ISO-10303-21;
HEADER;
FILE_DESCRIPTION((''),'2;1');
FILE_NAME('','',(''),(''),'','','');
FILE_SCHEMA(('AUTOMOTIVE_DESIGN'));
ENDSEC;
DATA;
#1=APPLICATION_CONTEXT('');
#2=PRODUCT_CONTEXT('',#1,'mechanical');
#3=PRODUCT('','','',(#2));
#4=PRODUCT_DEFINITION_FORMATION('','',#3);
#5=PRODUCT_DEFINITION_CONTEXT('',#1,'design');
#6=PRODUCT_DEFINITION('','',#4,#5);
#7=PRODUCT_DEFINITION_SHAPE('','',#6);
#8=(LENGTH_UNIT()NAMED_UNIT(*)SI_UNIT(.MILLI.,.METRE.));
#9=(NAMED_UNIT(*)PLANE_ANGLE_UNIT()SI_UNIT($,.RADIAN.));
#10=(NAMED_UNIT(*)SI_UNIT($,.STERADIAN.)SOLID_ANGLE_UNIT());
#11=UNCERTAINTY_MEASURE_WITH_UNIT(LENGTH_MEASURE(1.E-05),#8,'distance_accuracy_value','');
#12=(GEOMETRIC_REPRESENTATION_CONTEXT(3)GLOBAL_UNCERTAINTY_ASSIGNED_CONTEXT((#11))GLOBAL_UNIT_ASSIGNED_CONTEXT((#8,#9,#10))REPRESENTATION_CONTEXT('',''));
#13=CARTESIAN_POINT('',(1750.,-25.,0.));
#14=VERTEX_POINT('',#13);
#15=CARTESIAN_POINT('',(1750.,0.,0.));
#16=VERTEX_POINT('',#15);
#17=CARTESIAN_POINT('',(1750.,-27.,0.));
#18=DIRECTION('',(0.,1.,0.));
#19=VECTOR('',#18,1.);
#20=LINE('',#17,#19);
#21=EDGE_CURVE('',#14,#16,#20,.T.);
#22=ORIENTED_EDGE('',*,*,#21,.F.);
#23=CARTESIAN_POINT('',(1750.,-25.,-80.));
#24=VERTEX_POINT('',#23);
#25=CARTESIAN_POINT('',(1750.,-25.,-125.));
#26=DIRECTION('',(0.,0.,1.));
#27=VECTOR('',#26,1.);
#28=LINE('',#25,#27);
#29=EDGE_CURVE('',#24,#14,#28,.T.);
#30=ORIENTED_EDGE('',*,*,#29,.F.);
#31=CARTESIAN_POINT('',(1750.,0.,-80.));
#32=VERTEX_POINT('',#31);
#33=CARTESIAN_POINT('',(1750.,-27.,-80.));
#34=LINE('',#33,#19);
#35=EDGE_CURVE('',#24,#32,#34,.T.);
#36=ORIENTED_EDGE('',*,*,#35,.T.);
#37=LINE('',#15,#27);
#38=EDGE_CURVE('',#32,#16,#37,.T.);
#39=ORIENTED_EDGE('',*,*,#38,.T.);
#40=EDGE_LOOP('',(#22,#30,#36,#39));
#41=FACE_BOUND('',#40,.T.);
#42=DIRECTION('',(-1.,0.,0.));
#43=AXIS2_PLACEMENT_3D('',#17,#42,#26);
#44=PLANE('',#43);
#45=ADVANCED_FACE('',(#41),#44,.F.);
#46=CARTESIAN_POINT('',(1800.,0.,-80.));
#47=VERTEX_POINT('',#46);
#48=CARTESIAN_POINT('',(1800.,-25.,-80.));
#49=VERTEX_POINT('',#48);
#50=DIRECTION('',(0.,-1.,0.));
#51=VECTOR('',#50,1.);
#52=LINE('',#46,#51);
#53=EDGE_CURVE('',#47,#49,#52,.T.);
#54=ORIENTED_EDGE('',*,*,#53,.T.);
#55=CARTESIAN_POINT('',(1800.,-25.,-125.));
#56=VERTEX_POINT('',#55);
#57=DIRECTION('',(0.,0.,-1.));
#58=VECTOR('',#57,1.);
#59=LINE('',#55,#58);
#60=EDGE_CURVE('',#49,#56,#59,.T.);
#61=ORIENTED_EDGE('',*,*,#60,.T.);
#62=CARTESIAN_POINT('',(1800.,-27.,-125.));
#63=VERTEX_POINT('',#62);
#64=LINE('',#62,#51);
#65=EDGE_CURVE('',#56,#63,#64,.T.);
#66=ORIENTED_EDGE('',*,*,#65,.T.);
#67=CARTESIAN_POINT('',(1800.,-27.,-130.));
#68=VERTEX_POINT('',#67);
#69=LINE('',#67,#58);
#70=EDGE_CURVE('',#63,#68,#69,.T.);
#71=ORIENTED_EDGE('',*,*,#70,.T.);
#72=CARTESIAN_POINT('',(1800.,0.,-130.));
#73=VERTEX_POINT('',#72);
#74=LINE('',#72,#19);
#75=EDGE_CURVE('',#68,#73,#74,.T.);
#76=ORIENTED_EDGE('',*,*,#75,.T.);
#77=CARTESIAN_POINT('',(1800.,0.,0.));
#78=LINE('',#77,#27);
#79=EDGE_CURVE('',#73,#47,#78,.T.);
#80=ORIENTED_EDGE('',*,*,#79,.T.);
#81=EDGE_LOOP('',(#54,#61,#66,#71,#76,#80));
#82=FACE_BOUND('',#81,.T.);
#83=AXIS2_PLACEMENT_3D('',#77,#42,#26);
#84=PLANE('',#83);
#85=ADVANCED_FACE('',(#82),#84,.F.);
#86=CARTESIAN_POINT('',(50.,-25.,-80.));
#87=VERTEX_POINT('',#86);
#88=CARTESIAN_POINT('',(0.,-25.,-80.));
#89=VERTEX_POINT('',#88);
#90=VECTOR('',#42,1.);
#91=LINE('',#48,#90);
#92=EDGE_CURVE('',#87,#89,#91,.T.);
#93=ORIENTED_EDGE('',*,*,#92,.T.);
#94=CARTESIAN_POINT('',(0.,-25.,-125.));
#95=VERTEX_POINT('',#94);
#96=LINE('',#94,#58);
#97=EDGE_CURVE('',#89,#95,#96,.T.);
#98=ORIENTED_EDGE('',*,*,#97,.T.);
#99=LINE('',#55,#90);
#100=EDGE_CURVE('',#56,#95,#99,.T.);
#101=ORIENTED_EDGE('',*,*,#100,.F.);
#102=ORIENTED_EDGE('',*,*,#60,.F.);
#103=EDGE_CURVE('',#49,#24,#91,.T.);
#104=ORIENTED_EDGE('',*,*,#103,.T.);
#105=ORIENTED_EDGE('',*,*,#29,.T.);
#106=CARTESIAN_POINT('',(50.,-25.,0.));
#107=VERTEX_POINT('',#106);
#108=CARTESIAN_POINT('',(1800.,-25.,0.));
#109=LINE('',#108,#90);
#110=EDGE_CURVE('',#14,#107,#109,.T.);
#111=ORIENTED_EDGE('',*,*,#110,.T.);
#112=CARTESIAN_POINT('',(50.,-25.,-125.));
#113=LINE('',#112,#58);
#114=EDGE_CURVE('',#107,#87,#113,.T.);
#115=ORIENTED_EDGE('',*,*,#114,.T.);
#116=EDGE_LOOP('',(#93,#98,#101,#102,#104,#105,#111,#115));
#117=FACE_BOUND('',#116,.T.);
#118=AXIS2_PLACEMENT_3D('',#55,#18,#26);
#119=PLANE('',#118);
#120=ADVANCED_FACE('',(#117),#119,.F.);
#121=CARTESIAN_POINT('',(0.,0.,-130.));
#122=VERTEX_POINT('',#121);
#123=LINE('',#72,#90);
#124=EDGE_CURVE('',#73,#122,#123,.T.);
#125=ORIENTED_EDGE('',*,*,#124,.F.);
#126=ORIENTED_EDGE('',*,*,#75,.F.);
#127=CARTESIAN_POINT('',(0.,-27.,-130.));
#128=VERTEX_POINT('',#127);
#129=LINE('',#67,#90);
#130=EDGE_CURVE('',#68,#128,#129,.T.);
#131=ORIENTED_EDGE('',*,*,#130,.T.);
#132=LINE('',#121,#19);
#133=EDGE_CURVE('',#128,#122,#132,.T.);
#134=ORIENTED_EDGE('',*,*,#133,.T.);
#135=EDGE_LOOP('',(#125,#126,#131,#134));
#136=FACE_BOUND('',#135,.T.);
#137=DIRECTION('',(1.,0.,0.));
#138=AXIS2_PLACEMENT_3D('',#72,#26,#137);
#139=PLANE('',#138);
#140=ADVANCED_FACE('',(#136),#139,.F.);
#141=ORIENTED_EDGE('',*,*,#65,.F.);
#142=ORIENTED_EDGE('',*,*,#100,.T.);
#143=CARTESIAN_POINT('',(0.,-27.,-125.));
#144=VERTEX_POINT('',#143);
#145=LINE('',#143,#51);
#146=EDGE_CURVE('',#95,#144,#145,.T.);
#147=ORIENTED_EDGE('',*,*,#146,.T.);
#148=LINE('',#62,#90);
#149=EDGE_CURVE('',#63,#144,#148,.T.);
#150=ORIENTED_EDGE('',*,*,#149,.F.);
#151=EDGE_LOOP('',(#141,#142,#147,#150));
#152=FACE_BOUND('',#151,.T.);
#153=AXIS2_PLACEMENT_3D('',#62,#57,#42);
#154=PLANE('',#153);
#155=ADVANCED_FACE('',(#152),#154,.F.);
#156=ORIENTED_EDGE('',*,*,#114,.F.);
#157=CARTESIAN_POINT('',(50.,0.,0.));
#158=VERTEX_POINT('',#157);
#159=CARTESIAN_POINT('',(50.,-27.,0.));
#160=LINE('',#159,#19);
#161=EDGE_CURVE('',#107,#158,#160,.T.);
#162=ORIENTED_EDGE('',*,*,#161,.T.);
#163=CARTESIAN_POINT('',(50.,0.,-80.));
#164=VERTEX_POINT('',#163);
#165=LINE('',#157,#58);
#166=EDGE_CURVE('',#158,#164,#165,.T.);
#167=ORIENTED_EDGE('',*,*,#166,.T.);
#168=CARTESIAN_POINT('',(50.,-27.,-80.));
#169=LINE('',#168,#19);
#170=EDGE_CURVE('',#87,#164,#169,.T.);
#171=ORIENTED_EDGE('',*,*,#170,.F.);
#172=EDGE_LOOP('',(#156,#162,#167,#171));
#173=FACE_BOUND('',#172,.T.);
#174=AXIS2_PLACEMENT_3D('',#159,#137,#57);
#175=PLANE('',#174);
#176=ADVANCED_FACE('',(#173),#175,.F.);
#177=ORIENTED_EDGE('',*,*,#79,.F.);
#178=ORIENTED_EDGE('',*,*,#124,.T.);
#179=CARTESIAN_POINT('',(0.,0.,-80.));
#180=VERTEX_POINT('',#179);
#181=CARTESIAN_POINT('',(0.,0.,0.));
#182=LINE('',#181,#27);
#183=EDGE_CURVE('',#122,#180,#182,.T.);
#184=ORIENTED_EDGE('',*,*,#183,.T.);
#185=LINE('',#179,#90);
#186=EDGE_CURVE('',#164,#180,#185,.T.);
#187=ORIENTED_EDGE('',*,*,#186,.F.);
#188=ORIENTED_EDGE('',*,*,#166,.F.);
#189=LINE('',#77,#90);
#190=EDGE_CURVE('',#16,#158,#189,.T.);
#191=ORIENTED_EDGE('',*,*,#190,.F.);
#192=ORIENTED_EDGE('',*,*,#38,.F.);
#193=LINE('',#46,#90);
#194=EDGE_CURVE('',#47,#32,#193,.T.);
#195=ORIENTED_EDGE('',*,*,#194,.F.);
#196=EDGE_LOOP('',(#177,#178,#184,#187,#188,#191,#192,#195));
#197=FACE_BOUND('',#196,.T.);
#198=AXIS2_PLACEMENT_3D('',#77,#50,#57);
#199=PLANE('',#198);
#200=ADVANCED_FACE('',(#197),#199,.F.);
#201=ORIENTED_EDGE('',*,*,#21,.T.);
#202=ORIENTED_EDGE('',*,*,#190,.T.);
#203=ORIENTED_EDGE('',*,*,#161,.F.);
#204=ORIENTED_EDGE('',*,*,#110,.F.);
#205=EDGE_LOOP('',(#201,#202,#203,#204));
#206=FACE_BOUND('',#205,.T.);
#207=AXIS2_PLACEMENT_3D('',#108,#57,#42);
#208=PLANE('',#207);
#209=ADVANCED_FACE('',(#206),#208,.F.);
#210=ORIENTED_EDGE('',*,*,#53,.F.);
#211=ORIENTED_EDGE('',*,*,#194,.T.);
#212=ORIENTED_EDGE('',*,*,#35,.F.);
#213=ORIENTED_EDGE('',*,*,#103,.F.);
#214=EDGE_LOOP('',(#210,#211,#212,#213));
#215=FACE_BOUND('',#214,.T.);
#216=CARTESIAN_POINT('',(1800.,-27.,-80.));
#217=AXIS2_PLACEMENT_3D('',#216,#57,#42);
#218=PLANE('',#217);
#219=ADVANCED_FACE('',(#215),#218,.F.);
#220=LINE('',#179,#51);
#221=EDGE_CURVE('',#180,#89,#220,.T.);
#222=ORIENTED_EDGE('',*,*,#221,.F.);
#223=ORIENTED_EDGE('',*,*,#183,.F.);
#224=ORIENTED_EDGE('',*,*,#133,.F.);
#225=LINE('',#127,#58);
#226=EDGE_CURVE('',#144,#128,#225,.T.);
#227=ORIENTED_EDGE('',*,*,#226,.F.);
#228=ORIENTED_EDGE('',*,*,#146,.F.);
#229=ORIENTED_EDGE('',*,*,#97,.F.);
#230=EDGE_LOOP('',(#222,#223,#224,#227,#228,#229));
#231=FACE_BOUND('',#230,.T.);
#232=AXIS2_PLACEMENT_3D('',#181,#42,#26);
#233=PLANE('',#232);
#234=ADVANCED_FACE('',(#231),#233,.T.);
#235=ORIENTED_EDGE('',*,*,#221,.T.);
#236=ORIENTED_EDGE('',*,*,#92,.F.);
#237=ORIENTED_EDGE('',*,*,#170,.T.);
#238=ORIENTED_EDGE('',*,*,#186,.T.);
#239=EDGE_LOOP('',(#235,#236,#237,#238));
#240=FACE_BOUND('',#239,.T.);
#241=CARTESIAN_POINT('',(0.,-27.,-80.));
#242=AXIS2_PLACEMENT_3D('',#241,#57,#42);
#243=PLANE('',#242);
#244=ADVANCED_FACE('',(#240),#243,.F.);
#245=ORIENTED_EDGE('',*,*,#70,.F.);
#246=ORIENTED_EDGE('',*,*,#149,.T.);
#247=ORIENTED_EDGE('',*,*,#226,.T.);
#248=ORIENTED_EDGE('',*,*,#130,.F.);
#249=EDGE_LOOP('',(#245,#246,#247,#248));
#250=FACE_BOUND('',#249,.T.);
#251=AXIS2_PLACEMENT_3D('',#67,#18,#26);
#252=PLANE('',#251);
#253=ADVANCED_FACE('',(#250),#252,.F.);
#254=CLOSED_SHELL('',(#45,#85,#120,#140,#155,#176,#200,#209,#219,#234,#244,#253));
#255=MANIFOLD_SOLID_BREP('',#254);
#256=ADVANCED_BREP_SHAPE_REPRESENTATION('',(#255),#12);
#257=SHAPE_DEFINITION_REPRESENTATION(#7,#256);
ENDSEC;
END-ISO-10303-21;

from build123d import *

# Parameters (mm, degrees)
EXTRUDE_1_DEPTH     = 1800
SKETCH_2_W          = 50
SKETCH_2_H          = 80
CUT_EXTRUDE_1_DEPTH = 1805.890301376


with BuildPart() as part:
    # Эскиз1 → Бобышка-Вытянуть1 (new body)
    with BuildSketch(Plane(origin=(0, 0, 0), x_dir=(0, 0, -1), z_dir=(1, 0, 0))):
        Polygon((0, 0), (130, 0), (130, -27), (125, -27), (125, -25), (0, -25), align=None)
    extrude(amount=EXTRUDE_1_DEPTH)

    # Эскиз2 → Вырез-Вытянуть1 (cut, through all)
    with BuildSketch(Plane(origin=(0, 0, 0), x_dir=(1, 0, 0), z_dir=(0, 1, 0))):
        with Locations((25, 40)):
            Rectangle(SKETCH_2_W, SKETCH_2_H)
        with Locations((1775, 40)):
            Rectangle(SKETCH_2_W, SKETCH_2_H)
    extrude(amount=-CUT_EXTRUDE_1_DEPTH, mode=Mode.SUBTRACT)


solid = part.part
